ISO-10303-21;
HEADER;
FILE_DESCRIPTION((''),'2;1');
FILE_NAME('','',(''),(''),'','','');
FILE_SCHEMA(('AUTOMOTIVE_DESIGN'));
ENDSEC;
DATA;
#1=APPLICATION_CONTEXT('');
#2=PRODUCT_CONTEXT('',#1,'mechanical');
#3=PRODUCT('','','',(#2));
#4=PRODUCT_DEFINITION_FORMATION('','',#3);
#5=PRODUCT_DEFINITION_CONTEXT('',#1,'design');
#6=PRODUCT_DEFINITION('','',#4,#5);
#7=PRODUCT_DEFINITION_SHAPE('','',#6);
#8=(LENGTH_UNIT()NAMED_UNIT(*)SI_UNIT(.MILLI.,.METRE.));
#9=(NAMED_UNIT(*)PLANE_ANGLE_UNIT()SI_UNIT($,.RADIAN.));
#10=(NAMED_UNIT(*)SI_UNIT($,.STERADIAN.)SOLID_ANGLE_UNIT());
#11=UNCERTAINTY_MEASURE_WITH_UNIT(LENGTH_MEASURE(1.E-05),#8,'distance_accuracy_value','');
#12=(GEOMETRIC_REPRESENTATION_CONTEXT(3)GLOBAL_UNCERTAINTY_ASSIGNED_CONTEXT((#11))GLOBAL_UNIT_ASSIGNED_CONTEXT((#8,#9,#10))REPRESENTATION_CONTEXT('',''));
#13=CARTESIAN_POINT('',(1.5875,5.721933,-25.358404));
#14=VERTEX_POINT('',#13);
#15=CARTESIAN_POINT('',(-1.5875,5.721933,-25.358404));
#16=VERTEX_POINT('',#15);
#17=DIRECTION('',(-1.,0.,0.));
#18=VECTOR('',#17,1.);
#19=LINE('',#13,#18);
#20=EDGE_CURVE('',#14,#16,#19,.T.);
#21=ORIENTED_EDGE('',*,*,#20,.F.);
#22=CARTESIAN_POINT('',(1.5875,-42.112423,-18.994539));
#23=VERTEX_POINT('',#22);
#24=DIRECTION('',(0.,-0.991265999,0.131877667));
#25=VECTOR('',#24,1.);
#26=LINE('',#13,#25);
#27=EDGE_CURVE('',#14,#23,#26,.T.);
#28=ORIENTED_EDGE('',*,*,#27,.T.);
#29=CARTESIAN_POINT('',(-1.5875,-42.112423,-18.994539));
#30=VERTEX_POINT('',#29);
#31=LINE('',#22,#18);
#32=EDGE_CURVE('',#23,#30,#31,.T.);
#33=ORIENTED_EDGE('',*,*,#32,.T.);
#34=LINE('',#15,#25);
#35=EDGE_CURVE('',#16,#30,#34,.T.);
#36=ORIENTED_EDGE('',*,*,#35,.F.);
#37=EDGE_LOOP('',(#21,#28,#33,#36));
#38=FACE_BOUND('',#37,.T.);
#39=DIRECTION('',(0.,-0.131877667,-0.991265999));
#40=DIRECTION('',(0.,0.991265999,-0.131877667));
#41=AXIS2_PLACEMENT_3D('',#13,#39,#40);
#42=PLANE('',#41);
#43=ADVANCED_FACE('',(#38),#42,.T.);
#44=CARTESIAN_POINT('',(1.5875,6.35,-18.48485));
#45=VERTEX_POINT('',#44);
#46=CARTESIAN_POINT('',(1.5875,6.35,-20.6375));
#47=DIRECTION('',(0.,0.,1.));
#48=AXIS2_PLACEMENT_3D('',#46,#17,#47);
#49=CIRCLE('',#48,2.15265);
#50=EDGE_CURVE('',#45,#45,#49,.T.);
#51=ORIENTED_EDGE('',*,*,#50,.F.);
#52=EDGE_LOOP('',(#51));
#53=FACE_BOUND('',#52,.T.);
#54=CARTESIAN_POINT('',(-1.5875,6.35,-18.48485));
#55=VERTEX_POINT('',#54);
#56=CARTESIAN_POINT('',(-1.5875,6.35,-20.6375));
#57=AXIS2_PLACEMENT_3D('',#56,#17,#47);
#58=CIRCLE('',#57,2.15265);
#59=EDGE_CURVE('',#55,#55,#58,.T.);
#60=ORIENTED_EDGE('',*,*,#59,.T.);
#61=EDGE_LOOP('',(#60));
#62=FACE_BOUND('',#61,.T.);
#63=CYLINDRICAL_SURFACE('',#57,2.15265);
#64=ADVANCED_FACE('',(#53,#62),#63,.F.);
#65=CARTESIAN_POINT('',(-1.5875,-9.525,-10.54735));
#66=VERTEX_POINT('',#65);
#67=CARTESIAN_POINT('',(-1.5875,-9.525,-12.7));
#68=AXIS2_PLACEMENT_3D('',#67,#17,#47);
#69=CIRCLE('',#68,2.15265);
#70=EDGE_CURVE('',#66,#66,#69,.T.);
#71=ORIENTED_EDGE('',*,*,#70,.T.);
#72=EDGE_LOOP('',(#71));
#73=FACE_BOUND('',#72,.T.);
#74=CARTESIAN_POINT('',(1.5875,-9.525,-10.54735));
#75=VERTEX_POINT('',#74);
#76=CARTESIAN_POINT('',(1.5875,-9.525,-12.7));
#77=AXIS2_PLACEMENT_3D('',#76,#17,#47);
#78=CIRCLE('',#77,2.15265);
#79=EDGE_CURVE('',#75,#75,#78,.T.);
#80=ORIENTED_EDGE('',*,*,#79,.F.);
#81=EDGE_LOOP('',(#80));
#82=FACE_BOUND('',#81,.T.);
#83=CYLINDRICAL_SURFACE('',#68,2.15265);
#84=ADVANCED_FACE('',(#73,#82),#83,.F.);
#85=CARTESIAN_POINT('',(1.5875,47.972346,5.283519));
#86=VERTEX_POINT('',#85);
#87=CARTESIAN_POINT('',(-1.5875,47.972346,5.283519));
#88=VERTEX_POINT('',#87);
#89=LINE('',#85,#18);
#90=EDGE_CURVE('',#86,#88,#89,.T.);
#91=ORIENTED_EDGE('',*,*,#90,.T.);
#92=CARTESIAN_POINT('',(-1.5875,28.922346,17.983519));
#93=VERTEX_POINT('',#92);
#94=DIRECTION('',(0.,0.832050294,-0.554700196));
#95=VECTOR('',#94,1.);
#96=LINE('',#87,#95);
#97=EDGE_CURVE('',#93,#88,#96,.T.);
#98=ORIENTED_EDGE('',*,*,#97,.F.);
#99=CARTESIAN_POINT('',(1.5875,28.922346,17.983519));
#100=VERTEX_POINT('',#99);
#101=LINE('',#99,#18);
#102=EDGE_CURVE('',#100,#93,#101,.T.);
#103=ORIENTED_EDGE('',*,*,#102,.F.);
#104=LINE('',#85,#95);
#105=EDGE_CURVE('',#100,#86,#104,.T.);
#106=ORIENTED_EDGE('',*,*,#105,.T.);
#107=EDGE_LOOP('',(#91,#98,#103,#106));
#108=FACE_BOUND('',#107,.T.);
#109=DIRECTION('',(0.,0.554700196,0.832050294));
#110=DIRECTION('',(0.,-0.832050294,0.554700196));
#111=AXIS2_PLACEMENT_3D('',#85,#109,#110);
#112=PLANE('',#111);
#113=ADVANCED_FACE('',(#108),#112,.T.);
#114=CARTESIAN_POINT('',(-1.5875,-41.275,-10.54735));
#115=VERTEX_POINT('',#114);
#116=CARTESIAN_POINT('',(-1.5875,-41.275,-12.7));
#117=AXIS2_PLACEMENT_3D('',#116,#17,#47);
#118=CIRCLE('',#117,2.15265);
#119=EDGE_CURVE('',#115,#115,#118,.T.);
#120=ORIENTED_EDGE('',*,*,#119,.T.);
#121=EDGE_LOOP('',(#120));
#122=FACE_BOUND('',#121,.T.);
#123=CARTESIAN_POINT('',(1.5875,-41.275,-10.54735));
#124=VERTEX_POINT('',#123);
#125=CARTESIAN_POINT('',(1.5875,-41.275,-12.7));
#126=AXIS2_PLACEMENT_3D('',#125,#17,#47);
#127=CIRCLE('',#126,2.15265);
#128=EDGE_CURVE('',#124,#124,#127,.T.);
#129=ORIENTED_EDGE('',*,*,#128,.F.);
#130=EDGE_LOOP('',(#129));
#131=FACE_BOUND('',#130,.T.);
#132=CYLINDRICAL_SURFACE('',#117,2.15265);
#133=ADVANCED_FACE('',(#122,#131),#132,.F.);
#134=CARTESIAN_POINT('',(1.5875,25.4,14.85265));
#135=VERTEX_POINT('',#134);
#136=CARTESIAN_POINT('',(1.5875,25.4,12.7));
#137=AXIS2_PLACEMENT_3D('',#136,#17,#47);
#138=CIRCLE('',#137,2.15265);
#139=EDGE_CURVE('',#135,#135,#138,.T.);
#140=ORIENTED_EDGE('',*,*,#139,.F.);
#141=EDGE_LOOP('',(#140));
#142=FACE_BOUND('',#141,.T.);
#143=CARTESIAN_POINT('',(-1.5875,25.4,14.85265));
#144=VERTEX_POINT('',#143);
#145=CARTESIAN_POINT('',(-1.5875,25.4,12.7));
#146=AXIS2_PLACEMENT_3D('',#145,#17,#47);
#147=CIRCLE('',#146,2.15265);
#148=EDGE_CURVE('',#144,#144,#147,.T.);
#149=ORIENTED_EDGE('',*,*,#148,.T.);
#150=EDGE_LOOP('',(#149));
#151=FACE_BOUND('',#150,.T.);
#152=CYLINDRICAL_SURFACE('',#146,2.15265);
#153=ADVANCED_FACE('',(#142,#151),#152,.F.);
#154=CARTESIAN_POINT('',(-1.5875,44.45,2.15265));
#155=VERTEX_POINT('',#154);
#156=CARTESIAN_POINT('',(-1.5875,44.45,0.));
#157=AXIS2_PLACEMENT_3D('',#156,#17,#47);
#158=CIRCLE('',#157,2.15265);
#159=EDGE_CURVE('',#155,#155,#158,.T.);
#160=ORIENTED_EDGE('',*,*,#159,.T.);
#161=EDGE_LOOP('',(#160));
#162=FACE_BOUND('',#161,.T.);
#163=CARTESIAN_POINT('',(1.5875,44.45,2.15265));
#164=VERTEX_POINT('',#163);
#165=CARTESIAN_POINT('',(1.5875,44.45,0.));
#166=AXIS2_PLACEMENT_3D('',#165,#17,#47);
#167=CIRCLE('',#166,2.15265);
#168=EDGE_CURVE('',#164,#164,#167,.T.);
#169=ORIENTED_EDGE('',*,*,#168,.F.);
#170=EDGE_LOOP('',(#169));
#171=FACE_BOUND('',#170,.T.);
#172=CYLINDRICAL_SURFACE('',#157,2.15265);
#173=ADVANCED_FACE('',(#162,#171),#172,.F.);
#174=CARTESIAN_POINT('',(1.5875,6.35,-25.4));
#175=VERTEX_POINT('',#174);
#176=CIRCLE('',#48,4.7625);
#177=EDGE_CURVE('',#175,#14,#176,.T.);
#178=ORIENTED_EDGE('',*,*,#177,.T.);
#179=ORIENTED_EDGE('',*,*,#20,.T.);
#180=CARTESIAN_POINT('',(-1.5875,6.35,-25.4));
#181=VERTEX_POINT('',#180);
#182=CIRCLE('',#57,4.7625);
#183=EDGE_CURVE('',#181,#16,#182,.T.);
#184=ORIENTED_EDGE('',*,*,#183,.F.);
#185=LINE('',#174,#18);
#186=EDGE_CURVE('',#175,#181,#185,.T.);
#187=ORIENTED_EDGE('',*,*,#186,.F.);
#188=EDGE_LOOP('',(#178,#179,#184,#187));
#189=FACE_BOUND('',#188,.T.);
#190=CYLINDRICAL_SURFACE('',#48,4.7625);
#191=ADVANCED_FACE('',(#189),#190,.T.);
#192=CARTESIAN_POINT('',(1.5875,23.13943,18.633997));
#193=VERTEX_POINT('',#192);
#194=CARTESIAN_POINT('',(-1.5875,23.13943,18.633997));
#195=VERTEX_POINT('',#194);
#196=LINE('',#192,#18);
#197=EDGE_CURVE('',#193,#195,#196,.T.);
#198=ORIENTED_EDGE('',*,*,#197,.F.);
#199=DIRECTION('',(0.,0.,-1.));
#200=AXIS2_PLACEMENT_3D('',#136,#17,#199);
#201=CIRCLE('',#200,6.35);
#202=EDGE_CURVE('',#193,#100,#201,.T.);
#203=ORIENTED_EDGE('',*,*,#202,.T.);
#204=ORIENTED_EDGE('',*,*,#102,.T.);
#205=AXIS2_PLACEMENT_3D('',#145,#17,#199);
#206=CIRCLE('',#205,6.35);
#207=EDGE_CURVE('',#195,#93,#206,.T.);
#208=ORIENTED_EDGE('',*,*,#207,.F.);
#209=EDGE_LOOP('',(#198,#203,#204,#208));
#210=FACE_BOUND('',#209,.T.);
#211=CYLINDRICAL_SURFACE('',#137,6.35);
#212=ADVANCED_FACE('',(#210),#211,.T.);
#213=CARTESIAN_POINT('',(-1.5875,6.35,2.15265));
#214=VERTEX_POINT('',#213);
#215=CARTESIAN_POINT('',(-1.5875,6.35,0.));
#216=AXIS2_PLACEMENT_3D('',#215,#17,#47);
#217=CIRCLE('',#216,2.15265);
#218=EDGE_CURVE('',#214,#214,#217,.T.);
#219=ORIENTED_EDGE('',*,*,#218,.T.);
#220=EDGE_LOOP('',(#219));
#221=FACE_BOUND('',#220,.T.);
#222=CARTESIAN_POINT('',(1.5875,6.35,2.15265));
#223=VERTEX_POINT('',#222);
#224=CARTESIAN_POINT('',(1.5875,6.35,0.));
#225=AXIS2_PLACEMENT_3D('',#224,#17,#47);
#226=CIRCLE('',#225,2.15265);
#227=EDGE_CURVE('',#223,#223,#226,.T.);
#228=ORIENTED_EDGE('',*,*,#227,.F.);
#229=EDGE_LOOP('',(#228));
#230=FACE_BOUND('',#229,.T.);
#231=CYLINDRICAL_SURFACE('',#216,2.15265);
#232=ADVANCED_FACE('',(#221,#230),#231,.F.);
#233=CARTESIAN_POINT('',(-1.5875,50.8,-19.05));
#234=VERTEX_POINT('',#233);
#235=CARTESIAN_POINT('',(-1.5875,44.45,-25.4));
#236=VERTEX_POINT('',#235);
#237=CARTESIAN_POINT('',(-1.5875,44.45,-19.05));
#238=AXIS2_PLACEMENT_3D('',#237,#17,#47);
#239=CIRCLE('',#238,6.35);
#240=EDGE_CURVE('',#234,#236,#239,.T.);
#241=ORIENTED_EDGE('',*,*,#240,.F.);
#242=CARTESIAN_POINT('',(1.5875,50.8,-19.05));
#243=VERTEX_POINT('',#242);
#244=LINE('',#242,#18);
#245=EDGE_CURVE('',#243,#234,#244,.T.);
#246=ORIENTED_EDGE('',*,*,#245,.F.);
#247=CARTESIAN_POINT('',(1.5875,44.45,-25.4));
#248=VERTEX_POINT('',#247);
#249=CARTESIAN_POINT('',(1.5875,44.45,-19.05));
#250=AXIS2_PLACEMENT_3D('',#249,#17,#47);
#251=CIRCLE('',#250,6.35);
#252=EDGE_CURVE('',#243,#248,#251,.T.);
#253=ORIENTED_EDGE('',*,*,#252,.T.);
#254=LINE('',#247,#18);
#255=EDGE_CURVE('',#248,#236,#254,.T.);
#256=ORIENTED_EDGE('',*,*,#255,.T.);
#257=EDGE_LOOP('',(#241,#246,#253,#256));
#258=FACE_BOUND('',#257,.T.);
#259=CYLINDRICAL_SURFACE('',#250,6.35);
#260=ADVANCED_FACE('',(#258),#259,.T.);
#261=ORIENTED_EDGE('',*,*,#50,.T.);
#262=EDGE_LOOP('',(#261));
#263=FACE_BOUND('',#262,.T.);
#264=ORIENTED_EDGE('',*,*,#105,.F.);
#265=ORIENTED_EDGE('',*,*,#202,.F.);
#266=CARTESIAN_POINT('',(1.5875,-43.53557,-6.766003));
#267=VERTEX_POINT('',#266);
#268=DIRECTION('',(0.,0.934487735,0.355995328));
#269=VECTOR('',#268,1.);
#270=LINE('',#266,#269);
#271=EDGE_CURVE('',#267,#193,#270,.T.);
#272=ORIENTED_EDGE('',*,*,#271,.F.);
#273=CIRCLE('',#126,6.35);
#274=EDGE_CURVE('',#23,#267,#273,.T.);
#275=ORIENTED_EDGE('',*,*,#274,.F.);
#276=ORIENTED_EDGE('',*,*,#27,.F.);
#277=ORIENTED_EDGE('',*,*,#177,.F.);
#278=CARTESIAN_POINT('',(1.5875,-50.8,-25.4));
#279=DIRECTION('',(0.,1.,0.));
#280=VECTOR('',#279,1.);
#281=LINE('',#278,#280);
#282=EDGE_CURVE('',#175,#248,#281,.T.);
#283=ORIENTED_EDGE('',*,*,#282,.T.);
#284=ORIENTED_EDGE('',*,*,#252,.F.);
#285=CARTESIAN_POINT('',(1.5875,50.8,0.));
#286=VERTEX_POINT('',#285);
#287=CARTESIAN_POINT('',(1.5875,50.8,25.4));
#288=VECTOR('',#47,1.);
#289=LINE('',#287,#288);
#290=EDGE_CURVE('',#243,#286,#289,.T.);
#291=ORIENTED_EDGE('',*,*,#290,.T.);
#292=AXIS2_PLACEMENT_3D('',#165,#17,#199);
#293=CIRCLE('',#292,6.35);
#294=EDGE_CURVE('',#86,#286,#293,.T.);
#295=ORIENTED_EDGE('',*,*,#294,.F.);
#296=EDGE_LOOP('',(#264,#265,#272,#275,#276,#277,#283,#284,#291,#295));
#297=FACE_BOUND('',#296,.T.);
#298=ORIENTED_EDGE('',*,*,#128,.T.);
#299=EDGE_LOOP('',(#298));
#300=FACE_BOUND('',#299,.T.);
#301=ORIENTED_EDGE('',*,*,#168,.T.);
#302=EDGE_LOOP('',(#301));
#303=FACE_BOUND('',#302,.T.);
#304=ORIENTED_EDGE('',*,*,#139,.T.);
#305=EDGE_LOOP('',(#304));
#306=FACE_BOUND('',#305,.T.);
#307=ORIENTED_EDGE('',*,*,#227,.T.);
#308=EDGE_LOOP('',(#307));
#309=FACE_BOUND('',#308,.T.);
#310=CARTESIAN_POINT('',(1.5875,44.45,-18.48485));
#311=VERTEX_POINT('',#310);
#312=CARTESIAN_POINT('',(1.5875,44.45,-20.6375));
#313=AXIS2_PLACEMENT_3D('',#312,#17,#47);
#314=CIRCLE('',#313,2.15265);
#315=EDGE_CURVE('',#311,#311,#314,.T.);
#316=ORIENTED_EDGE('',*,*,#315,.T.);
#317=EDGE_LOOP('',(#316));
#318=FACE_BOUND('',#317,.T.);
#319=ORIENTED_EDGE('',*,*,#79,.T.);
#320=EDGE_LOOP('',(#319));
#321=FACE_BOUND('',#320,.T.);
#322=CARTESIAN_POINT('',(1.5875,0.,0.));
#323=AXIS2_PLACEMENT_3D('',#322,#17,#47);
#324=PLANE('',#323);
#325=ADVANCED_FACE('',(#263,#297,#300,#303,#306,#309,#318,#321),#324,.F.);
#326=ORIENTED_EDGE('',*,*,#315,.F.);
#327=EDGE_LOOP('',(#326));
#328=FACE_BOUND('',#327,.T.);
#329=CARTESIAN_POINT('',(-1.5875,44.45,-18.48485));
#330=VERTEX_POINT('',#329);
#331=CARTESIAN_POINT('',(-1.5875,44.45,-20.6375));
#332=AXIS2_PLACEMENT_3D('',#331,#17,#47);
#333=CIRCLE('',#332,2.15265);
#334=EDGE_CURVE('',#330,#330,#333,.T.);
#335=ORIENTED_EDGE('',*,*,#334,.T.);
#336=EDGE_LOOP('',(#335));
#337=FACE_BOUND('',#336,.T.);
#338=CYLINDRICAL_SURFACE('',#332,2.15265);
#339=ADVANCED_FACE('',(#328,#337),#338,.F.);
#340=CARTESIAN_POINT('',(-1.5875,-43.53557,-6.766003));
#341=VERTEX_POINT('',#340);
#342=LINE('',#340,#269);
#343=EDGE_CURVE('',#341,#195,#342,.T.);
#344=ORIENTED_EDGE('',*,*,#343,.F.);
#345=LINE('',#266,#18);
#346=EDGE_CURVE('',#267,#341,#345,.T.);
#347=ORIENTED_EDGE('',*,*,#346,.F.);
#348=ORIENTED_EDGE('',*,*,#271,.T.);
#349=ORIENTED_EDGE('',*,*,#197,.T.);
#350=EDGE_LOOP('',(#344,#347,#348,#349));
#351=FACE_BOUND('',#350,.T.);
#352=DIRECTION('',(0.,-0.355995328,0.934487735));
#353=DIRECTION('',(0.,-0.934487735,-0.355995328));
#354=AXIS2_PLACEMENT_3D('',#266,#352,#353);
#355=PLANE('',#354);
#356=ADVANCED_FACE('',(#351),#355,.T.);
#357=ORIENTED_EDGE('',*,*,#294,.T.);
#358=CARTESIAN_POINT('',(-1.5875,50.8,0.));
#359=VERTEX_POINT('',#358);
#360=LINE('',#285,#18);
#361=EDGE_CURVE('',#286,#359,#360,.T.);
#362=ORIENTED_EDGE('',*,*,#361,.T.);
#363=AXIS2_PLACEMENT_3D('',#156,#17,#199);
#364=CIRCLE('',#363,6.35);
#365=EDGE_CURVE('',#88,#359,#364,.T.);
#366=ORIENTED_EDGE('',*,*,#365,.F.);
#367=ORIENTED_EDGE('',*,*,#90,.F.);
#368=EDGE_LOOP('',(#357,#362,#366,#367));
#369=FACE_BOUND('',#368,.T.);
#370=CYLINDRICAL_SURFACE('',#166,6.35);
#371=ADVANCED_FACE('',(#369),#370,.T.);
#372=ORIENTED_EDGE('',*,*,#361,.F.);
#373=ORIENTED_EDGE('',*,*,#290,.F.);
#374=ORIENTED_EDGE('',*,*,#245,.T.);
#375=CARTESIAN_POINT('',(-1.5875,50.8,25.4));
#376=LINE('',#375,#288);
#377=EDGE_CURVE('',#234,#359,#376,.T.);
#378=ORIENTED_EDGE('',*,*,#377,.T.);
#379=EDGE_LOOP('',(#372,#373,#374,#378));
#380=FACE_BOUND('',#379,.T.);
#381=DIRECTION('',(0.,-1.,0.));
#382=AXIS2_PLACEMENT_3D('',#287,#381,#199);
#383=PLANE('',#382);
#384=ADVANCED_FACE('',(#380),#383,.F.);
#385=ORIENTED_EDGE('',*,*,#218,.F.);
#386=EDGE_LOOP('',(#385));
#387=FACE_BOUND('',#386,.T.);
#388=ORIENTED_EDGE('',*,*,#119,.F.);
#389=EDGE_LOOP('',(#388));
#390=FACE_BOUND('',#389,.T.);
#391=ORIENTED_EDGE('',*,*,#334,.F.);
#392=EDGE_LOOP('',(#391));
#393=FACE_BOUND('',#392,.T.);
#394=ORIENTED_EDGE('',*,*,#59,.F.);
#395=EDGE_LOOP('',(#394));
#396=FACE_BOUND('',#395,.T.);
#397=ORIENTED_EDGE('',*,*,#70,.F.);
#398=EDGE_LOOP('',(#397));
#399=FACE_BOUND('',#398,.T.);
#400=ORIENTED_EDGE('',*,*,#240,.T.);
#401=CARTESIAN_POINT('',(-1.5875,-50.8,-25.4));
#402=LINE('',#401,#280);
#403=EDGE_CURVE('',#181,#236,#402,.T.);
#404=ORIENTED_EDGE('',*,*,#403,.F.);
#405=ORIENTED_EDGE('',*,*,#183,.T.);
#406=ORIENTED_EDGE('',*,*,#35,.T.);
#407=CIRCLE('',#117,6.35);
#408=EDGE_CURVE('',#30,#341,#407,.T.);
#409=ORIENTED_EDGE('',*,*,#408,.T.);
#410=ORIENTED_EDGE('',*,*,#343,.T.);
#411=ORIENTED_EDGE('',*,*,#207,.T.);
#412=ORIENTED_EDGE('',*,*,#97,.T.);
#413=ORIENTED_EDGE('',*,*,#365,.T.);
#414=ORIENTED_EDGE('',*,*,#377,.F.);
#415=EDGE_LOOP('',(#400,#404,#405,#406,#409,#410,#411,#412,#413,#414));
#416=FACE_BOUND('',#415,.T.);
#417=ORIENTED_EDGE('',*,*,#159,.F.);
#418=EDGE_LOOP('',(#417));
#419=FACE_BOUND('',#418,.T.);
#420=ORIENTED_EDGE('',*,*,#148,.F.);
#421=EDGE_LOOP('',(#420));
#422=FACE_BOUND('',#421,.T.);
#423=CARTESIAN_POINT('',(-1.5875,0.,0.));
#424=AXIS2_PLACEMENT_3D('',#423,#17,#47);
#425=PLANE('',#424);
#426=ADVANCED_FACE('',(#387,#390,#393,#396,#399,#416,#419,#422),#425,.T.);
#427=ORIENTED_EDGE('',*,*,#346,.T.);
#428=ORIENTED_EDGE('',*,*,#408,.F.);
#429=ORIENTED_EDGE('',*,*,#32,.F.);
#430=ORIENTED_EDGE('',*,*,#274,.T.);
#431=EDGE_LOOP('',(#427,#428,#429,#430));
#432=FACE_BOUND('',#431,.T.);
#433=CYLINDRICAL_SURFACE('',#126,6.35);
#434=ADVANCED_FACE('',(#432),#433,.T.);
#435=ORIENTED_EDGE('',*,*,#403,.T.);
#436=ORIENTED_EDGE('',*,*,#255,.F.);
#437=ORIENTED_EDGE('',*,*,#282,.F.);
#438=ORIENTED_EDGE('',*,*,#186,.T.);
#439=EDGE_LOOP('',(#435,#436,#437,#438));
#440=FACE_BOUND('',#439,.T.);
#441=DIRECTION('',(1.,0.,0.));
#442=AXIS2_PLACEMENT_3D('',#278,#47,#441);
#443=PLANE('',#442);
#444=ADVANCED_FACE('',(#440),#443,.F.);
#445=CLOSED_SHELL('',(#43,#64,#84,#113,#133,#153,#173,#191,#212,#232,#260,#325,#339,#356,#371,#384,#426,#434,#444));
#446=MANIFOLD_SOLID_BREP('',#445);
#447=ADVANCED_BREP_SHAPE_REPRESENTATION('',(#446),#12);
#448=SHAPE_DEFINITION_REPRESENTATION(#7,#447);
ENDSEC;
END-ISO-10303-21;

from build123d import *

# Parameters (mm, degrees)
SKETCH1_W             = 50.8
SKETCH1_H             = 101.6
BOSS_EXTRUDE1_DEPTH   = 1.5875
F_8_CLEARANCE_HOLE1_D = 4.3053
SKETCH4_W             = 64.445768018
SKETCH4_H             = 114.740745706
CUT_EXTRUDE1_DEPTH    = 3.175


with BuildPart() as part:
    # Sketch1 → Boss-Extrude1 (new, symmetric)
    with BuildSketch(Plane(origin=(0, 0, 0), x_dir=(0, 0, -1), z_dir=(1, 0, 0))):
        Rectangle(SKETCH1_W, SKETCH1_H)
    extrude(amount=BOSS_EXTRUDE1_DEPTH, both=True)

    # #8 Clearance Hole1 (through all)
    with Locations(Plane.ZY.offset(1.5875)):
        with Locations((-12.7, -41.275), (-12.7, -9.525), (-20.6375, 6.35), (0, 6.35), (12.7, 25.4), (0, 44.45), (-20.6375, 44.45)):
            Hole(F_8_CLEARANCE_HOLE1_D / 2)

    # Sketch4 → Cut-Extrude1 (cut)
    with BuildSketch(Plane.ZY.offset(1.5875)):
        Rectangle(SKETCH4_W, SKETCH4_H)
        with BuildLine():
            Line((-19.05, 50.8), (0, 50.8))
            ThreePointArc((0, 50.8), (2.996297827, 50.048633702), (5.283519369, 47.972346246))
            Line((5.283519369, 47.972346246), (17.983519369, 28.922346246))
            ThreePointArc((17.983519369, 28.922346246), (19.010206024, 26.109788659), (18.633997117, 23.13942967))
            Line((18.633997117, 23.13942967), (-6.766002883, -43.53557033))
            ThreePointArc((-6.766002883, -43.53557033), (-13.434053527, -47.582429383), (-18.994539095, -42.112423182))
            Line((-18.994539095, -42.112423182), (-25.358404321, 5.721932613))
            ThreePointArc((-25.358404321, 5.721932613), (-25.389589702, 6.03527836), (-25.4, 6.35))
            Line((-25.4, 6.35), (-25.4, 44.45))
            ThreePointArc((-25.4, 44.45), (-23.540128061, 48.940128061), (-19.05, 50.8))
        make_face(mode=Mode.SUBTRACT)
    extrude(amount=-CUT_EXTRUDE1_DEPTH, mode=Mode.SUBTRACT)


solid = part.part
